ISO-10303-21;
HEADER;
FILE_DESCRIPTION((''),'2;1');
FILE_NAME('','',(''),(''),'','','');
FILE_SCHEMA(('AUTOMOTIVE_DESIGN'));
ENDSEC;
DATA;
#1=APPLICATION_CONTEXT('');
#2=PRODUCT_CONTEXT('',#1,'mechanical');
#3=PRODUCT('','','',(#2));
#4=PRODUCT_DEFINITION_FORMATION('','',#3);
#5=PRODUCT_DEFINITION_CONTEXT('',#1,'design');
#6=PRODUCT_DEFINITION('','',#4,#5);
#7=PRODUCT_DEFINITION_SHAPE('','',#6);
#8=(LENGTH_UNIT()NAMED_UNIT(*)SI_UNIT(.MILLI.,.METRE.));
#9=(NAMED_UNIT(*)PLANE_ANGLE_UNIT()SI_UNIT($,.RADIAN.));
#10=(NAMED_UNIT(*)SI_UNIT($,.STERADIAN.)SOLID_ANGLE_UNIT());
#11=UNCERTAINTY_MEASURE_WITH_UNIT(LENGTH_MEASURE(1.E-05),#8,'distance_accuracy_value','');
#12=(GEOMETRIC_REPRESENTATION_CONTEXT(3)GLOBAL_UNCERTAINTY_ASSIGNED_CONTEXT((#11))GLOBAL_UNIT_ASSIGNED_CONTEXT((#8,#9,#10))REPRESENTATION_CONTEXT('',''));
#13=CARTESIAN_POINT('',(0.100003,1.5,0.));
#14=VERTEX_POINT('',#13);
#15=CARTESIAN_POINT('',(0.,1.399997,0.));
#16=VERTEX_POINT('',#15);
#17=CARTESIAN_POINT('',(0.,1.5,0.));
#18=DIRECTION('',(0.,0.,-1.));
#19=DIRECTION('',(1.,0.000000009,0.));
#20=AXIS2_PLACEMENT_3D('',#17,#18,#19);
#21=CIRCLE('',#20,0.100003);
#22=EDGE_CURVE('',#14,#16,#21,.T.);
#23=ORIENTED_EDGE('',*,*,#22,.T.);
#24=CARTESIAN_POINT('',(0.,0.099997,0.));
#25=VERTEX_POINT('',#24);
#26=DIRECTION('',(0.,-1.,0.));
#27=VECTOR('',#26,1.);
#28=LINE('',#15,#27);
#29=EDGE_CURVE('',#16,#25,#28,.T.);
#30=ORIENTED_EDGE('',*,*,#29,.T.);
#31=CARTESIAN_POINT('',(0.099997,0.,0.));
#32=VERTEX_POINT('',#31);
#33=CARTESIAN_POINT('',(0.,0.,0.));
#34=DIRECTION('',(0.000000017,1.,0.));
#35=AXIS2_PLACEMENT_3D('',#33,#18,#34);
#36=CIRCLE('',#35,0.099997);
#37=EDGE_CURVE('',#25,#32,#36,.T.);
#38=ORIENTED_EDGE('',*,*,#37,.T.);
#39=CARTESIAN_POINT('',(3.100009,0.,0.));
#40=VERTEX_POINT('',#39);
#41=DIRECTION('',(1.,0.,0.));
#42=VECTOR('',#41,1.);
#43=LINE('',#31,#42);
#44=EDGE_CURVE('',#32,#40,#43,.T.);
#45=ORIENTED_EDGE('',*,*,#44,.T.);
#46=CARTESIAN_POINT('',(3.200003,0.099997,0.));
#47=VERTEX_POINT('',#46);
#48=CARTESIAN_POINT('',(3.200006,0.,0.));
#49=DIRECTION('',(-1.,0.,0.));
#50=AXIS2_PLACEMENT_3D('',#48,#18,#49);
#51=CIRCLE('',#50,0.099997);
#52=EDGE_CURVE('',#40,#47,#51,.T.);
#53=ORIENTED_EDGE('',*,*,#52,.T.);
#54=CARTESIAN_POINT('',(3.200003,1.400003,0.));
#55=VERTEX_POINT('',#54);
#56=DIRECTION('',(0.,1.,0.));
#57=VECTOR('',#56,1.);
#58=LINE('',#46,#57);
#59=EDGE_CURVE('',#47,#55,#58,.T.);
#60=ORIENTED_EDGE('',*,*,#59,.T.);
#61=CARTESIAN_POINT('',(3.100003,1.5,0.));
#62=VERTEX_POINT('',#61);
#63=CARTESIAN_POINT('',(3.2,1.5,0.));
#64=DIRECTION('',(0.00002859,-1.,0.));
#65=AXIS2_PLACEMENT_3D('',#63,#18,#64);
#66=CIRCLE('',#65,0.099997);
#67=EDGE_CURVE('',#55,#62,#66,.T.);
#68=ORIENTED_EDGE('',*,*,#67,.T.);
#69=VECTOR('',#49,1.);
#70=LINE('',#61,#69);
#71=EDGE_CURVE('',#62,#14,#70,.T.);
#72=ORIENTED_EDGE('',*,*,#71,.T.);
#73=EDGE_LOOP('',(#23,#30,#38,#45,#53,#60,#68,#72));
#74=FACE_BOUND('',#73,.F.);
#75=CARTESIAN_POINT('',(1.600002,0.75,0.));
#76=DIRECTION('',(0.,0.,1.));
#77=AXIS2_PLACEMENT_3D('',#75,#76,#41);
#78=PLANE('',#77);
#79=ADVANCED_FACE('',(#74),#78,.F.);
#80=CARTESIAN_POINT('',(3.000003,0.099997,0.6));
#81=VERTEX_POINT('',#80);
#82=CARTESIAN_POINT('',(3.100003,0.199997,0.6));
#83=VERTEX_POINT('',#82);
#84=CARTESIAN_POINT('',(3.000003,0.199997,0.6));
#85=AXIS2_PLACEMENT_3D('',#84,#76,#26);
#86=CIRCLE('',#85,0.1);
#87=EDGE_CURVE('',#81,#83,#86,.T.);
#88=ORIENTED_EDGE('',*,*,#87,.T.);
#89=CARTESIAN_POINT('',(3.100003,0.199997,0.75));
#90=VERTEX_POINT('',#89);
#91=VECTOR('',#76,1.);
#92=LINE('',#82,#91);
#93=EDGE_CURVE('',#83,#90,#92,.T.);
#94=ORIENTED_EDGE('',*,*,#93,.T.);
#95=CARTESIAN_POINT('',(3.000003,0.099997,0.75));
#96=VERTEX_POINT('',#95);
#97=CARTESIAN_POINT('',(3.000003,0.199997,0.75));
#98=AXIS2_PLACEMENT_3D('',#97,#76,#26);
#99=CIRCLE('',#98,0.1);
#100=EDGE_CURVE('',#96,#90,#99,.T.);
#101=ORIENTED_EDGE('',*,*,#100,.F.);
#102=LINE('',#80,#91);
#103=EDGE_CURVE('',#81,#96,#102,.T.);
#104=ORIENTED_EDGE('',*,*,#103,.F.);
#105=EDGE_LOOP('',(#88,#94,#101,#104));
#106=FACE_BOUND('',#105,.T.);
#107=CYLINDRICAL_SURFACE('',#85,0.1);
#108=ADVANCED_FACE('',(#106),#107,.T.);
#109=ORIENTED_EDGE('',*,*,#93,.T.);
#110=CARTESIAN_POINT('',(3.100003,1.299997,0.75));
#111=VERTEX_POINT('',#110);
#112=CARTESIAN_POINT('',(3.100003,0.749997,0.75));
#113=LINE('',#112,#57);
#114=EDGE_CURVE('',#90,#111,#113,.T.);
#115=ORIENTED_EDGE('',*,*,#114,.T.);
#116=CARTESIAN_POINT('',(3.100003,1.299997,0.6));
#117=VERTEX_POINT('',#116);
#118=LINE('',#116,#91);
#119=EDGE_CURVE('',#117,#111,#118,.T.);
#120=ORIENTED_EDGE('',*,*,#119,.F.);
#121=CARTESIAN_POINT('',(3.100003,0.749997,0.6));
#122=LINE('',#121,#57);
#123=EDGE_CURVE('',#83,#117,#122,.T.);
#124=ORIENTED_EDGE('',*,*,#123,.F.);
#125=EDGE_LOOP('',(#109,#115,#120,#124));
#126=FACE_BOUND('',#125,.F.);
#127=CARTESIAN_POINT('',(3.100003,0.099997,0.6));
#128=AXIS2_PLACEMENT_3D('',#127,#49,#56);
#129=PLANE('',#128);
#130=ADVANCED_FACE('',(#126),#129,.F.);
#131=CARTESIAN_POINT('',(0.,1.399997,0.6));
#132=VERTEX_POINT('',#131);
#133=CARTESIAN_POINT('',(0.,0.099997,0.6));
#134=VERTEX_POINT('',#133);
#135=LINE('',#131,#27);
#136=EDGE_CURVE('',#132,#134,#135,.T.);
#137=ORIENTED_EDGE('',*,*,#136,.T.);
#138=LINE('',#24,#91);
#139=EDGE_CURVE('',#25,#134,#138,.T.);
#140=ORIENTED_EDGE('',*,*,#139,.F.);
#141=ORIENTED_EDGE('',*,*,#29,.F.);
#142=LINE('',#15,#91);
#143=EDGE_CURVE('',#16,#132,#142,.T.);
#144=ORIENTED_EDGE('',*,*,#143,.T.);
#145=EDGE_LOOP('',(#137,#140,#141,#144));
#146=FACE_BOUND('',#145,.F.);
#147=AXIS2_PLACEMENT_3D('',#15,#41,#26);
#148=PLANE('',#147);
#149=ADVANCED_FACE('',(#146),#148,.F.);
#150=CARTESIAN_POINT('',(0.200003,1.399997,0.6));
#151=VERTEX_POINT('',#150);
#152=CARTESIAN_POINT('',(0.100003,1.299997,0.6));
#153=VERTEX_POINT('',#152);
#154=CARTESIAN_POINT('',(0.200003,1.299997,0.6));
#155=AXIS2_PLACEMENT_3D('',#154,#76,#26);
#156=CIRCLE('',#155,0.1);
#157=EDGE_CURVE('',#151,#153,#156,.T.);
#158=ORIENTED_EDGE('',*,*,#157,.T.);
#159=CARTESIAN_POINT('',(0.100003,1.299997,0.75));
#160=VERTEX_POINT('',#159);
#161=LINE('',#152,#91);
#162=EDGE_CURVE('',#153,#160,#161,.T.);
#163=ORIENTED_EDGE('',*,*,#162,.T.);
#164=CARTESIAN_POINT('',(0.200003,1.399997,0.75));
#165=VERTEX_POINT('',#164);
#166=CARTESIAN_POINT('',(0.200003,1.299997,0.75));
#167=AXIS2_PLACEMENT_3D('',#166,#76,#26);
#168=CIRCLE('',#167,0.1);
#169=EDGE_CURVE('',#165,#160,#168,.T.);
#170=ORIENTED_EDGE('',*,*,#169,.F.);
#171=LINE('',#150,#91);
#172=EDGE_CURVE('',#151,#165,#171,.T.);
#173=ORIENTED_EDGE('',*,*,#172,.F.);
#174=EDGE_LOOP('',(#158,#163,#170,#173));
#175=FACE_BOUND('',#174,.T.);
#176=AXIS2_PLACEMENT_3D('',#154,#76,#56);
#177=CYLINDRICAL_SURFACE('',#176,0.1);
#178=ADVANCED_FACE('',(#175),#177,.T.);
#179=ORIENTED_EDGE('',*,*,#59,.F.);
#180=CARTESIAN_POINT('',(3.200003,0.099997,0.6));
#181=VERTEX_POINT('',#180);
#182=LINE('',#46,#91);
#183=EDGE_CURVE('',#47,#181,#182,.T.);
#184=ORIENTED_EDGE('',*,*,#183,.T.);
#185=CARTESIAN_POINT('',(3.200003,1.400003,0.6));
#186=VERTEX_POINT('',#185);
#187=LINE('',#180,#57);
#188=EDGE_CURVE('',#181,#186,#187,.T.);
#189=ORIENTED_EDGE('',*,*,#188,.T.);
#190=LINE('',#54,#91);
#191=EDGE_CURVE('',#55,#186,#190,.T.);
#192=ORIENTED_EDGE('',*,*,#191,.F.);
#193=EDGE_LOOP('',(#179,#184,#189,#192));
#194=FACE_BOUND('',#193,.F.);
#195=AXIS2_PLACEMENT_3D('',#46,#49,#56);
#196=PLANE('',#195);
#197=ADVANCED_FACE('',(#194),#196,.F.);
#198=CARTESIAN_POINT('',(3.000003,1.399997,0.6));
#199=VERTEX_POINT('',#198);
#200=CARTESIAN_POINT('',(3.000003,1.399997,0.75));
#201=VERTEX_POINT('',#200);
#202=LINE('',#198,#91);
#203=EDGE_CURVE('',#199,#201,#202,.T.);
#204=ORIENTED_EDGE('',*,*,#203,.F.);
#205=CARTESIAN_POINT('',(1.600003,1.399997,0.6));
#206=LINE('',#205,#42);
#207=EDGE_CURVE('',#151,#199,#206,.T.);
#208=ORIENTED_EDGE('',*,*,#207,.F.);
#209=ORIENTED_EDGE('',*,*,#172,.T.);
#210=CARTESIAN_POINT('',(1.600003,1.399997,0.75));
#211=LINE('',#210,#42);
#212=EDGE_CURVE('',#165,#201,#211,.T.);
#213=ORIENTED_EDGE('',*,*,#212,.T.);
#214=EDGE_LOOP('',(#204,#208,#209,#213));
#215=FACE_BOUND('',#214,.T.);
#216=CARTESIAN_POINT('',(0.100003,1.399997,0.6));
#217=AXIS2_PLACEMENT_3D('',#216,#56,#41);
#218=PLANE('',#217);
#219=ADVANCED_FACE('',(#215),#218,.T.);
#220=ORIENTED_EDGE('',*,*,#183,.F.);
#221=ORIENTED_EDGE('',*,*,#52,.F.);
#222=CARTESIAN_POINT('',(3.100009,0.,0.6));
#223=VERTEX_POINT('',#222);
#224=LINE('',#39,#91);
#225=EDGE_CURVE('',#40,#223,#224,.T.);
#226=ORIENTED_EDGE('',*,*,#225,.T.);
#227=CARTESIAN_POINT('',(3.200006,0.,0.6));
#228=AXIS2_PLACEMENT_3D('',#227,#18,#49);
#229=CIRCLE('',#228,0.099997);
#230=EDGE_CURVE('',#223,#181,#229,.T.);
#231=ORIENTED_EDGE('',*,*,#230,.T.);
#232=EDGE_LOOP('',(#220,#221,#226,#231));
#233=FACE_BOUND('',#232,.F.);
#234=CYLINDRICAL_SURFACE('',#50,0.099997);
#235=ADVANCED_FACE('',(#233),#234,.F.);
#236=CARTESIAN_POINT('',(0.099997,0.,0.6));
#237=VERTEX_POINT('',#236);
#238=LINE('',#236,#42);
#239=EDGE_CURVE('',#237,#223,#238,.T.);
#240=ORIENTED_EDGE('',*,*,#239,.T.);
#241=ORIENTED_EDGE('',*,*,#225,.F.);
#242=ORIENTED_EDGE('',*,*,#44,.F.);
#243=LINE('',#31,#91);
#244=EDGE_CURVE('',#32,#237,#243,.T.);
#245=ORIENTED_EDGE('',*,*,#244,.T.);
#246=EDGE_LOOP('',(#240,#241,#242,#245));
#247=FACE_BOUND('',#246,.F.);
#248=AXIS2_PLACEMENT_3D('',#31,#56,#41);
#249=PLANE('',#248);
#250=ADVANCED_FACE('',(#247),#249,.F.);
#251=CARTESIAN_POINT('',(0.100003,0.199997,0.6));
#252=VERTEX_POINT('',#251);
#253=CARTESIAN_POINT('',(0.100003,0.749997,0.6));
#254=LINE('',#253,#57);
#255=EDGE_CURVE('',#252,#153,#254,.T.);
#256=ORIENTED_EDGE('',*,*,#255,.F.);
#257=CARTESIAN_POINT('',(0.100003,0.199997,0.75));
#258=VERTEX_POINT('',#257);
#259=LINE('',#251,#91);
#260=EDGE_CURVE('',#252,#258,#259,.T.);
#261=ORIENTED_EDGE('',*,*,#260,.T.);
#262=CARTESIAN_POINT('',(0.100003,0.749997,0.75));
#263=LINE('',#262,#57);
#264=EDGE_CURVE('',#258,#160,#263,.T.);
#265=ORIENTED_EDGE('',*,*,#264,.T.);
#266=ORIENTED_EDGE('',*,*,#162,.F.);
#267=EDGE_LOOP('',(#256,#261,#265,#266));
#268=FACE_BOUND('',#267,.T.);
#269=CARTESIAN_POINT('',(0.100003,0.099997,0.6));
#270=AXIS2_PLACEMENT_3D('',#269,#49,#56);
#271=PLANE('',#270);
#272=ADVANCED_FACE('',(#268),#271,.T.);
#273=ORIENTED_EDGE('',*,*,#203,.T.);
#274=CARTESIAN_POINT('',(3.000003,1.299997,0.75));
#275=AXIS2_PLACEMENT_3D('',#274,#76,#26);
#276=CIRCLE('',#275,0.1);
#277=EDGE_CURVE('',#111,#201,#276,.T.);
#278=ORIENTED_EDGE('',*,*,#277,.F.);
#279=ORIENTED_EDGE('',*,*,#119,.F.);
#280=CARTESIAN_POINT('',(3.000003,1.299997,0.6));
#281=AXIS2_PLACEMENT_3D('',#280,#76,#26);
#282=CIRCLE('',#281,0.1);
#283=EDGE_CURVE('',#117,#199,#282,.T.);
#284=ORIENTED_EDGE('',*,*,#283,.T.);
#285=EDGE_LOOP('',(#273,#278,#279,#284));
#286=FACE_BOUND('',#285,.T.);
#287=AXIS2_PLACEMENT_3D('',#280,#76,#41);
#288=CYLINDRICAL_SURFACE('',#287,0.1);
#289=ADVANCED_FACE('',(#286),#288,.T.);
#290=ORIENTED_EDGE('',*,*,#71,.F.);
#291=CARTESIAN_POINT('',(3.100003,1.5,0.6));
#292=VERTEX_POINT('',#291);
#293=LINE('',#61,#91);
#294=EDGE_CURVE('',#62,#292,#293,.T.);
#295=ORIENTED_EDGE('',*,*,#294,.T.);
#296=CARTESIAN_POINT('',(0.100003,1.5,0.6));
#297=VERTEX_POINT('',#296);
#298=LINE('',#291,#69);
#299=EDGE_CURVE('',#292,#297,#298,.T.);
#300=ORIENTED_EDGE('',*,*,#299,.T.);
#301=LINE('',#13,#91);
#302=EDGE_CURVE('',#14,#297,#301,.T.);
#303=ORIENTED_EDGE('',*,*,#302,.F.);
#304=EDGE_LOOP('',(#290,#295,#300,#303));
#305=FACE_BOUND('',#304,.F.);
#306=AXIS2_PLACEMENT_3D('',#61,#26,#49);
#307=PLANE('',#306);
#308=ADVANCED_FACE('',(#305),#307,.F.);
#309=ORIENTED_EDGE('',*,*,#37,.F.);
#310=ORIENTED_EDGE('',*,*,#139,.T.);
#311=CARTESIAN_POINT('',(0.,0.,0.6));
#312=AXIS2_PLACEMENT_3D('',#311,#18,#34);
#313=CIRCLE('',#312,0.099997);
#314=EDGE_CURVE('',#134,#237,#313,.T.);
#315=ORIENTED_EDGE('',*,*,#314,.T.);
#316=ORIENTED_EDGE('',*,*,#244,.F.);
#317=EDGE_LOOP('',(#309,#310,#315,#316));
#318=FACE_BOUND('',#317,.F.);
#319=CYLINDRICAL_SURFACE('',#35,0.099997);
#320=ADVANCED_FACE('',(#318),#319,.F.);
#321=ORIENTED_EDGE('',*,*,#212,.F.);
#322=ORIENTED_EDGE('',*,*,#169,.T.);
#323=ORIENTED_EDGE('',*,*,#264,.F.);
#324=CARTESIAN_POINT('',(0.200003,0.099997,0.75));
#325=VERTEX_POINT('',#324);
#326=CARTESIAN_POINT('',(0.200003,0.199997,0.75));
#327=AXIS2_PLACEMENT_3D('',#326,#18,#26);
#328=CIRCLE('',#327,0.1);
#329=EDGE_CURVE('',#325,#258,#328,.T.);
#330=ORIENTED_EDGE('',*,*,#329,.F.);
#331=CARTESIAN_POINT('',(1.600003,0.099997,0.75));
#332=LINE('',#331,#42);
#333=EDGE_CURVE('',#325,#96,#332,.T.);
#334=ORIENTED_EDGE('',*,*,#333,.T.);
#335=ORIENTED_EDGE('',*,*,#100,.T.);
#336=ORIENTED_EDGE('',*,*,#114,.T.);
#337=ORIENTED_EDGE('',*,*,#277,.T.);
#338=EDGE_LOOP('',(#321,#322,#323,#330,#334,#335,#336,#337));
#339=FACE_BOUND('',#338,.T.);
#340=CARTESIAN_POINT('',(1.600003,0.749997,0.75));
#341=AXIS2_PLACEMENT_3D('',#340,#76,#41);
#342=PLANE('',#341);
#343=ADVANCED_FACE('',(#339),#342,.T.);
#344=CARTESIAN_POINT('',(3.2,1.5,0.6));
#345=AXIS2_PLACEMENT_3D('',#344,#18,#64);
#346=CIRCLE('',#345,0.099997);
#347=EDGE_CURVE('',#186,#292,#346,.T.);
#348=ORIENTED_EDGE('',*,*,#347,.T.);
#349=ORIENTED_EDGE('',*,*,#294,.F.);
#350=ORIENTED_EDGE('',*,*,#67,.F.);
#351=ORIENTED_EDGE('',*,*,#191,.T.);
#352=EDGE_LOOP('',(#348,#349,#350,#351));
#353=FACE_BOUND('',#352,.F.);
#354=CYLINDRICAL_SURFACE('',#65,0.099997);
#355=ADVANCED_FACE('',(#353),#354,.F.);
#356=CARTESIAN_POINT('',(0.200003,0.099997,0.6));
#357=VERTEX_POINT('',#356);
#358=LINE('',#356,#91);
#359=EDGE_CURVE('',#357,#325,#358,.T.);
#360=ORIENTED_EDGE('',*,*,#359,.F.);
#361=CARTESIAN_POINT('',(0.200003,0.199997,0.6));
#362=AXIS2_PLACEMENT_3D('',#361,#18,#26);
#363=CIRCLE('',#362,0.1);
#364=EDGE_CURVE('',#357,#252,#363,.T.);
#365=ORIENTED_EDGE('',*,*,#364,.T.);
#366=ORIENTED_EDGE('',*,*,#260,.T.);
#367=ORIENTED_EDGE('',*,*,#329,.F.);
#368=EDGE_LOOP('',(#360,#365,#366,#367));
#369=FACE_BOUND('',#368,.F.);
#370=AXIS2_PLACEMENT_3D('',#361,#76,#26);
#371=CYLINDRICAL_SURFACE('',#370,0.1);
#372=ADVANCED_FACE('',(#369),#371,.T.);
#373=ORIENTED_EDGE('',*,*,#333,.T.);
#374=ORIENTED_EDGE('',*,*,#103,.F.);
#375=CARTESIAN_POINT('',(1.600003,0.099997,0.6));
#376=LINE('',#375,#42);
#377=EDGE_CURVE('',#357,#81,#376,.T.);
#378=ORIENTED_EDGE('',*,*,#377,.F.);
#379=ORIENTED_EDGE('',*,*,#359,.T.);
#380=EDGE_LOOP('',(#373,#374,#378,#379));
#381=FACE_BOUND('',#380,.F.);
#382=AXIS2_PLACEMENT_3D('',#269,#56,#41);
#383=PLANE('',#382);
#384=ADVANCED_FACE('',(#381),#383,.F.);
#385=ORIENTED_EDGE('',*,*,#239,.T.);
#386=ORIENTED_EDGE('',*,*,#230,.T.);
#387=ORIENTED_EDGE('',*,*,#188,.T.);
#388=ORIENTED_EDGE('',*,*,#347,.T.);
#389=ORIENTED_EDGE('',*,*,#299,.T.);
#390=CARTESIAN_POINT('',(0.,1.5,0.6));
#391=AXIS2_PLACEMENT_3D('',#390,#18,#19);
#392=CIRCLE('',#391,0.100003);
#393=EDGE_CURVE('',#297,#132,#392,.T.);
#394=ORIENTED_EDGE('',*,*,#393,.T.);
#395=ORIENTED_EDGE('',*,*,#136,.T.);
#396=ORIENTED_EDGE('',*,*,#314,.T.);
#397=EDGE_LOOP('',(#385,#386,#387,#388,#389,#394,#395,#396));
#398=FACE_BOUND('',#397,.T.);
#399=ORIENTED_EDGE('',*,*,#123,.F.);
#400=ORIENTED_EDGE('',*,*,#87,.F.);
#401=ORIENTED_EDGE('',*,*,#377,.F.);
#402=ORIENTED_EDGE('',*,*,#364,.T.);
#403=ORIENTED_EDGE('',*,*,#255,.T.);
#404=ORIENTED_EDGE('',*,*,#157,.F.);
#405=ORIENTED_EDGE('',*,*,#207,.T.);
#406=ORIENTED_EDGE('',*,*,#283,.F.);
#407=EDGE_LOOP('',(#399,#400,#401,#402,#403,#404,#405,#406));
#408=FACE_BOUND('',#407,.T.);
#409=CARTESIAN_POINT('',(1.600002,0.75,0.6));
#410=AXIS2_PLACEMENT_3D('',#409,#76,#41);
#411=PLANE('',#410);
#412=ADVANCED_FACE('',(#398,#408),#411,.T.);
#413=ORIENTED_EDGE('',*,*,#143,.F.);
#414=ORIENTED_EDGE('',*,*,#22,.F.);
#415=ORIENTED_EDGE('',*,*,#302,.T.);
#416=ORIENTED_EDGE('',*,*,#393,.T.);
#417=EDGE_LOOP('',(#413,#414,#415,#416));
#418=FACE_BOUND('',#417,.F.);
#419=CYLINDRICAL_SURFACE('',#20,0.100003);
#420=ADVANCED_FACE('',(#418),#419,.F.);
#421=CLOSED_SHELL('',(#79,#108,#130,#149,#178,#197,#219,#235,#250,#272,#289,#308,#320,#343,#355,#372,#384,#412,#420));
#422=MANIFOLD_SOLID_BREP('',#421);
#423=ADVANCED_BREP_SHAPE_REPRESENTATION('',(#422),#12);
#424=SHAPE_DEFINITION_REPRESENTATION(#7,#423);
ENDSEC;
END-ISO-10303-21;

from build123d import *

# Parameters (mm, degrees)
BOSS_EXTRUDE1_DEPTH = 0.6
SKETCH2_W           = 3
SKETCH2_H           = 1.3
BOSS_EXTRUDE2_DEPTH = 0.15
FILLET1_R           = 0.1


with BuildPart() as part:
    # Sketch1 → Boss-Extrude1 (new body)
    with BuildSketch(Plane.XY):
        with BuildLine():
            Line((0.099997141, 0), (3.100008577, 0))
            ThreePointArc((3.100008577, 0), (3.129296051, 0.070707646), (3.200002859, 0.099997141))
            Line((3.200002859, 0.099997141), (3.200002859, 1.400002859))
            ThreePointArc((3.200002859, 1.400002859), (3.129292354, 1.429290333), (3.100002859, 1.5))
            Line((3.100002859, 1.5), (0.100002859, 1.5))
            ThreePointArc((0.100002859, 1.5), (0.0707127, 1.4292873), (0, 1.399997141))
            Line((0, 1.399997141), (0, 0.099997141))
            ThreePointArc((0, 0.099997141), (0.070708656, 0.070708656), (0.099997141, 0))
        make_face()
    extrude(amount=BOSS_EXTRUDE1_DEPTH)

    # Sketch2 → Boss-Extrude2 (add)
    with BuildSketch(Plane.XY.offset(0.6)):
        with Locations((1.600002859, 0.749997141)):
            Rectangle(SKETCH2_W, SKETCH2_H)
    extrude(amount=BOSS_EXTRUDE2_DEPTH)

    # Fillet1
    fillet1_edges = [part.edges().sort_by_distance(p)[0] for p in [
        (0.100002859, 1.399997141, 0.675),
        (0.100002859, 0.099997141, 0.675),
        (3.100002859, 0.099997141, 0.675),
        (3.100002859, 1.399997141, 0.675),
    ]]
    fillet(fillet1_edges, radius=FILLET1_R)


solid = part.part
